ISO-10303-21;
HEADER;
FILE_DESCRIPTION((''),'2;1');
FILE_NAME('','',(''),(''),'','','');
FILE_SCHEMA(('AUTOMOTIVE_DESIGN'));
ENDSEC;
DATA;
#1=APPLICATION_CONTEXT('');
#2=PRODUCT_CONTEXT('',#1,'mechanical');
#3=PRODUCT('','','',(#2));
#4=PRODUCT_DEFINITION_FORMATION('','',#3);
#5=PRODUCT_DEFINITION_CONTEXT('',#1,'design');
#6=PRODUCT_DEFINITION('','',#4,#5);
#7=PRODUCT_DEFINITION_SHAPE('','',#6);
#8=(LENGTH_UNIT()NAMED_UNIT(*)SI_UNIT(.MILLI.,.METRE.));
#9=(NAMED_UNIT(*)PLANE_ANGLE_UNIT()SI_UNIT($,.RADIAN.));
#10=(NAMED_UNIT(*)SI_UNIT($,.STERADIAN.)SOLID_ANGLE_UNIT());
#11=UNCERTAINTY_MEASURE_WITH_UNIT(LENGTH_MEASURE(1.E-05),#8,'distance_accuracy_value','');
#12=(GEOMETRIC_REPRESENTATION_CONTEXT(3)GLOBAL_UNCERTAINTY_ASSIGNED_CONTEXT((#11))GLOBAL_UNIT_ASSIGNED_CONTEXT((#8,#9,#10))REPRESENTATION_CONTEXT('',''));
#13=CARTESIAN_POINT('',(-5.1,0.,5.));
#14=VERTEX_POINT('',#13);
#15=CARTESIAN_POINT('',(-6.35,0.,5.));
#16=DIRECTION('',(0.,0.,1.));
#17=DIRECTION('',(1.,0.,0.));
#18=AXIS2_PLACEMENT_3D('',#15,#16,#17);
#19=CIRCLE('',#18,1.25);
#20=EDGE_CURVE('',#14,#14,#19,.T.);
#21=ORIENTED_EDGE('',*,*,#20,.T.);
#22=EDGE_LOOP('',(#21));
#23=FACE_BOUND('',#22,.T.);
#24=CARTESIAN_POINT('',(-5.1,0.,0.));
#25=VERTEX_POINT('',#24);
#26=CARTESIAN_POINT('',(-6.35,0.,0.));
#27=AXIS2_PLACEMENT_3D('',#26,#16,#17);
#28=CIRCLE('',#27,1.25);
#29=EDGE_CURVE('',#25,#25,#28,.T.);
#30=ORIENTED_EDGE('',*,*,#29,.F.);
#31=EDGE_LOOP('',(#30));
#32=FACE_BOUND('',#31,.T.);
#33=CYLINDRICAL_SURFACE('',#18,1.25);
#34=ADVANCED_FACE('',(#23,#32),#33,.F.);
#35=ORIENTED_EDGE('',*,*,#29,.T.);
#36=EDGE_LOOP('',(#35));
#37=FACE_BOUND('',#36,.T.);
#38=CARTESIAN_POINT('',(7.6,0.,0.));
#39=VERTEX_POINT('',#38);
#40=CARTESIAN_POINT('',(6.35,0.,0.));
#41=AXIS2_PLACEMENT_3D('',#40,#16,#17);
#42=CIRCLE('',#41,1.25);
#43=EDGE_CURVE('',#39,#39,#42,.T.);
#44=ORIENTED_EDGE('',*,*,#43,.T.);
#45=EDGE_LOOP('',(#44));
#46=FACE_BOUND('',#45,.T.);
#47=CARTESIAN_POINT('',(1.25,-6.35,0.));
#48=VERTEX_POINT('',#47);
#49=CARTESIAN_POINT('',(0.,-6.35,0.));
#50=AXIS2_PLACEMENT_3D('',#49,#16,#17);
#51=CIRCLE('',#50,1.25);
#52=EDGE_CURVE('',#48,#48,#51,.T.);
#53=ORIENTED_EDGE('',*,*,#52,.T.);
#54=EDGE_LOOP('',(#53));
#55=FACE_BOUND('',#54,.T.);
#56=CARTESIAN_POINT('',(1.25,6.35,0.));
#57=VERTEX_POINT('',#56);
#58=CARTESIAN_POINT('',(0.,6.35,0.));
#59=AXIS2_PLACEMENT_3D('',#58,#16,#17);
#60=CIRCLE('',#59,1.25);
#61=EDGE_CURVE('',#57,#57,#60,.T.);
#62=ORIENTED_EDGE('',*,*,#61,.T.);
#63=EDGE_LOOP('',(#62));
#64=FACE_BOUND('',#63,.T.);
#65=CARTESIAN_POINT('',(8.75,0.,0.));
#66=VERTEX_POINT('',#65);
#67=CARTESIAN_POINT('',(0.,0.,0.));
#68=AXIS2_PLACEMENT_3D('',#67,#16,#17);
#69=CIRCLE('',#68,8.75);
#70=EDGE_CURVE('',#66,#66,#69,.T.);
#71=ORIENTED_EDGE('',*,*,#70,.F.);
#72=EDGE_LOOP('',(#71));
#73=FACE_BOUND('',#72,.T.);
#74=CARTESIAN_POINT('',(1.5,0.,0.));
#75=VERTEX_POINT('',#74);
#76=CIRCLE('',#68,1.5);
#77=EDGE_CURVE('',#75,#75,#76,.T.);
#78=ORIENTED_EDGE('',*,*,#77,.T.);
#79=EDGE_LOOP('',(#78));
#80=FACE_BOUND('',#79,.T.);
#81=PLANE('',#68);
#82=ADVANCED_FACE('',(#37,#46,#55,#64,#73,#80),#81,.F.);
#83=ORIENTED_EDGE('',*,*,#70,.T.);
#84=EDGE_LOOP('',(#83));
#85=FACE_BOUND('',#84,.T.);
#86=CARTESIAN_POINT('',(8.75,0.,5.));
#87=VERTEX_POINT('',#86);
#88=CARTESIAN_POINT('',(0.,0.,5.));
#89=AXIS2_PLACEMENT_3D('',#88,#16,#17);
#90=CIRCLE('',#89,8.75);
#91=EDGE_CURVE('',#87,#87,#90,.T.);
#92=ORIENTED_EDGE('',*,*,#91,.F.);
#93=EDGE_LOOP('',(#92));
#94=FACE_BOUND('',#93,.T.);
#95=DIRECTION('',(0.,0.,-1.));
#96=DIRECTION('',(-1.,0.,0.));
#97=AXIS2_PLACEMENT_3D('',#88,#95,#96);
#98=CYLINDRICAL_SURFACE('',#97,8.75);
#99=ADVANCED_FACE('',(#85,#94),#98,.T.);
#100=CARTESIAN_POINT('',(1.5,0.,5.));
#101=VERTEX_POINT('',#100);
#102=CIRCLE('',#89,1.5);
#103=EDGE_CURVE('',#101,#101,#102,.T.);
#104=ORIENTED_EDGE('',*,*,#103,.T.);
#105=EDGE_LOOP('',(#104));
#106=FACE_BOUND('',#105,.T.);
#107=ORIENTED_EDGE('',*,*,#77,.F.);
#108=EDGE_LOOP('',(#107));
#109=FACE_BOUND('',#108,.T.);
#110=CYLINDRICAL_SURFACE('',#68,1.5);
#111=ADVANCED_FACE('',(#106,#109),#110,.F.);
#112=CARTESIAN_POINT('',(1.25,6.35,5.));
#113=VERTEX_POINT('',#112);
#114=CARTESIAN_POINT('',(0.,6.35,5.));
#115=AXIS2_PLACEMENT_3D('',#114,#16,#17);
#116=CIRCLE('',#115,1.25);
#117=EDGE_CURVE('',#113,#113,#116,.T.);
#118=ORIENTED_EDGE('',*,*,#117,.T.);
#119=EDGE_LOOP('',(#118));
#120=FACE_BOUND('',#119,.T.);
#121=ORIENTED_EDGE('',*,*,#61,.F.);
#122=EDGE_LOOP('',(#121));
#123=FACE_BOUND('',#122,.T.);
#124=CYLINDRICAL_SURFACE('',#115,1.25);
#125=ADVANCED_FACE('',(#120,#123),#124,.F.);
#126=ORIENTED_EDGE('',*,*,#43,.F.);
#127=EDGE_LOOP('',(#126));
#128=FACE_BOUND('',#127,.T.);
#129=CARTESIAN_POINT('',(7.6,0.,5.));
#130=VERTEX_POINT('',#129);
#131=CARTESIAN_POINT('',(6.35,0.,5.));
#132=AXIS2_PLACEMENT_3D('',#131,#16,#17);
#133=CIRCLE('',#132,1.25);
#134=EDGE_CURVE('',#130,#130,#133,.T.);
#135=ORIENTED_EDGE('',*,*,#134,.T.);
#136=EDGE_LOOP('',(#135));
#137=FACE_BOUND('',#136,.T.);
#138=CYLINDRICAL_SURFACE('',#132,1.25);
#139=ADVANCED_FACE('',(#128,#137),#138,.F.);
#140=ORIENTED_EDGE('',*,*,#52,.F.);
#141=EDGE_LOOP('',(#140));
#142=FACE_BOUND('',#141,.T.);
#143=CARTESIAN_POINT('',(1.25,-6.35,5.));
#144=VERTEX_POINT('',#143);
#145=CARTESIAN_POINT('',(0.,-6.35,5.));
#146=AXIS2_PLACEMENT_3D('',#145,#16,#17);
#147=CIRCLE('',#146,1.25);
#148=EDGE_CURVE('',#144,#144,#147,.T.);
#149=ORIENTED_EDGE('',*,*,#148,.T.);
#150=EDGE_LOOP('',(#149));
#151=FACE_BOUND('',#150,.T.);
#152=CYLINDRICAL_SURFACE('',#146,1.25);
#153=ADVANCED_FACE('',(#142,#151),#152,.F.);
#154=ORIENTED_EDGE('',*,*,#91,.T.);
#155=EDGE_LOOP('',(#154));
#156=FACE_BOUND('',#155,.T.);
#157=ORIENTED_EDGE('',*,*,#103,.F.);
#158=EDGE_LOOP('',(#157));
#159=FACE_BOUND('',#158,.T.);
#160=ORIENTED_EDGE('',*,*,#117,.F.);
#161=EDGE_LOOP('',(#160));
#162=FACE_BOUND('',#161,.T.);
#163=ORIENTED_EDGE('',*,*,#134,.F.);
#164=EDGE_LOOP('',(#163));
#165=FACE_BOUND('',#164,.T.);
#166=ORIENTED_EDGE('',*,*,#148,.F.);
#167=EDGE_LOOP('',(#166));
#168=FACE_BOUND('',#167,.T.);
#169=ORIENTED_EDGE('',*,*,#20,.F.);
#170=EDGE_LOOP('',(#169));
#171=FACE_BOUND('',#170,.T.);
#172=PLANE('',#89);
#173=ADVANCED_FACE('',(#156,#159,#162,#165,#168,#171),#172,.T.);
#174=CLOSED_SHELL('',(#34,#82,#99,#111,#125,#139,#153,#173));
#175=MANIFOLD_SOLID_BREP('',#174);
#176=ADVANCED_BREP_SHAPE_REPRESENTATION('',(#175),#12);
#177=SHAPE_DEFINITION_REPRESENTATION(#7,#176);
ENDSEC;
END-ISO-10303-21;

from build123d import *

# Parameters (mm, degrees)
SKETCH_1_R             = 8.75
EXTRUDE_1_DEPTH        = 5
HOLE_WIZARD_M3_1_D     = 2.5
HOLE_WIZARD_M3_1_DEPTH = 5
SKETCH_4_R             = 1.5
CUT_EXTRUDE_1_DEPTH    = 6


with BuildPart() as part:
    # 스케치1 → 보스-돌출1 (new body)
    with BuildSketch(Plane.XY):
        Circle(SKETCH_1_R)
    extrude(amount=EXTRUDE_1_DEPTH)

    # M3 나사 구멍1
    with Locations(Plane.XY.offset(5)):
        with Locations((0, 6.35), (6.35, 0), (0, -6.35), (-6.35, 0)):
            Hole(HOLE_WIZARD_M3_1_D / 2, depth=HOLE_WIZARD_M3_1_DEPTH)

    # 스케치4 → 컷-돌출1 (cut, through all)
    with BuildSketch(Plane.XY.offset(5)):
        Circle(SKETCH_4_R)
    extrude(amount=-CUT_EXTRUDE_1_DEPTH, mode=Mode.SUBTRACT)


solid = part.part
